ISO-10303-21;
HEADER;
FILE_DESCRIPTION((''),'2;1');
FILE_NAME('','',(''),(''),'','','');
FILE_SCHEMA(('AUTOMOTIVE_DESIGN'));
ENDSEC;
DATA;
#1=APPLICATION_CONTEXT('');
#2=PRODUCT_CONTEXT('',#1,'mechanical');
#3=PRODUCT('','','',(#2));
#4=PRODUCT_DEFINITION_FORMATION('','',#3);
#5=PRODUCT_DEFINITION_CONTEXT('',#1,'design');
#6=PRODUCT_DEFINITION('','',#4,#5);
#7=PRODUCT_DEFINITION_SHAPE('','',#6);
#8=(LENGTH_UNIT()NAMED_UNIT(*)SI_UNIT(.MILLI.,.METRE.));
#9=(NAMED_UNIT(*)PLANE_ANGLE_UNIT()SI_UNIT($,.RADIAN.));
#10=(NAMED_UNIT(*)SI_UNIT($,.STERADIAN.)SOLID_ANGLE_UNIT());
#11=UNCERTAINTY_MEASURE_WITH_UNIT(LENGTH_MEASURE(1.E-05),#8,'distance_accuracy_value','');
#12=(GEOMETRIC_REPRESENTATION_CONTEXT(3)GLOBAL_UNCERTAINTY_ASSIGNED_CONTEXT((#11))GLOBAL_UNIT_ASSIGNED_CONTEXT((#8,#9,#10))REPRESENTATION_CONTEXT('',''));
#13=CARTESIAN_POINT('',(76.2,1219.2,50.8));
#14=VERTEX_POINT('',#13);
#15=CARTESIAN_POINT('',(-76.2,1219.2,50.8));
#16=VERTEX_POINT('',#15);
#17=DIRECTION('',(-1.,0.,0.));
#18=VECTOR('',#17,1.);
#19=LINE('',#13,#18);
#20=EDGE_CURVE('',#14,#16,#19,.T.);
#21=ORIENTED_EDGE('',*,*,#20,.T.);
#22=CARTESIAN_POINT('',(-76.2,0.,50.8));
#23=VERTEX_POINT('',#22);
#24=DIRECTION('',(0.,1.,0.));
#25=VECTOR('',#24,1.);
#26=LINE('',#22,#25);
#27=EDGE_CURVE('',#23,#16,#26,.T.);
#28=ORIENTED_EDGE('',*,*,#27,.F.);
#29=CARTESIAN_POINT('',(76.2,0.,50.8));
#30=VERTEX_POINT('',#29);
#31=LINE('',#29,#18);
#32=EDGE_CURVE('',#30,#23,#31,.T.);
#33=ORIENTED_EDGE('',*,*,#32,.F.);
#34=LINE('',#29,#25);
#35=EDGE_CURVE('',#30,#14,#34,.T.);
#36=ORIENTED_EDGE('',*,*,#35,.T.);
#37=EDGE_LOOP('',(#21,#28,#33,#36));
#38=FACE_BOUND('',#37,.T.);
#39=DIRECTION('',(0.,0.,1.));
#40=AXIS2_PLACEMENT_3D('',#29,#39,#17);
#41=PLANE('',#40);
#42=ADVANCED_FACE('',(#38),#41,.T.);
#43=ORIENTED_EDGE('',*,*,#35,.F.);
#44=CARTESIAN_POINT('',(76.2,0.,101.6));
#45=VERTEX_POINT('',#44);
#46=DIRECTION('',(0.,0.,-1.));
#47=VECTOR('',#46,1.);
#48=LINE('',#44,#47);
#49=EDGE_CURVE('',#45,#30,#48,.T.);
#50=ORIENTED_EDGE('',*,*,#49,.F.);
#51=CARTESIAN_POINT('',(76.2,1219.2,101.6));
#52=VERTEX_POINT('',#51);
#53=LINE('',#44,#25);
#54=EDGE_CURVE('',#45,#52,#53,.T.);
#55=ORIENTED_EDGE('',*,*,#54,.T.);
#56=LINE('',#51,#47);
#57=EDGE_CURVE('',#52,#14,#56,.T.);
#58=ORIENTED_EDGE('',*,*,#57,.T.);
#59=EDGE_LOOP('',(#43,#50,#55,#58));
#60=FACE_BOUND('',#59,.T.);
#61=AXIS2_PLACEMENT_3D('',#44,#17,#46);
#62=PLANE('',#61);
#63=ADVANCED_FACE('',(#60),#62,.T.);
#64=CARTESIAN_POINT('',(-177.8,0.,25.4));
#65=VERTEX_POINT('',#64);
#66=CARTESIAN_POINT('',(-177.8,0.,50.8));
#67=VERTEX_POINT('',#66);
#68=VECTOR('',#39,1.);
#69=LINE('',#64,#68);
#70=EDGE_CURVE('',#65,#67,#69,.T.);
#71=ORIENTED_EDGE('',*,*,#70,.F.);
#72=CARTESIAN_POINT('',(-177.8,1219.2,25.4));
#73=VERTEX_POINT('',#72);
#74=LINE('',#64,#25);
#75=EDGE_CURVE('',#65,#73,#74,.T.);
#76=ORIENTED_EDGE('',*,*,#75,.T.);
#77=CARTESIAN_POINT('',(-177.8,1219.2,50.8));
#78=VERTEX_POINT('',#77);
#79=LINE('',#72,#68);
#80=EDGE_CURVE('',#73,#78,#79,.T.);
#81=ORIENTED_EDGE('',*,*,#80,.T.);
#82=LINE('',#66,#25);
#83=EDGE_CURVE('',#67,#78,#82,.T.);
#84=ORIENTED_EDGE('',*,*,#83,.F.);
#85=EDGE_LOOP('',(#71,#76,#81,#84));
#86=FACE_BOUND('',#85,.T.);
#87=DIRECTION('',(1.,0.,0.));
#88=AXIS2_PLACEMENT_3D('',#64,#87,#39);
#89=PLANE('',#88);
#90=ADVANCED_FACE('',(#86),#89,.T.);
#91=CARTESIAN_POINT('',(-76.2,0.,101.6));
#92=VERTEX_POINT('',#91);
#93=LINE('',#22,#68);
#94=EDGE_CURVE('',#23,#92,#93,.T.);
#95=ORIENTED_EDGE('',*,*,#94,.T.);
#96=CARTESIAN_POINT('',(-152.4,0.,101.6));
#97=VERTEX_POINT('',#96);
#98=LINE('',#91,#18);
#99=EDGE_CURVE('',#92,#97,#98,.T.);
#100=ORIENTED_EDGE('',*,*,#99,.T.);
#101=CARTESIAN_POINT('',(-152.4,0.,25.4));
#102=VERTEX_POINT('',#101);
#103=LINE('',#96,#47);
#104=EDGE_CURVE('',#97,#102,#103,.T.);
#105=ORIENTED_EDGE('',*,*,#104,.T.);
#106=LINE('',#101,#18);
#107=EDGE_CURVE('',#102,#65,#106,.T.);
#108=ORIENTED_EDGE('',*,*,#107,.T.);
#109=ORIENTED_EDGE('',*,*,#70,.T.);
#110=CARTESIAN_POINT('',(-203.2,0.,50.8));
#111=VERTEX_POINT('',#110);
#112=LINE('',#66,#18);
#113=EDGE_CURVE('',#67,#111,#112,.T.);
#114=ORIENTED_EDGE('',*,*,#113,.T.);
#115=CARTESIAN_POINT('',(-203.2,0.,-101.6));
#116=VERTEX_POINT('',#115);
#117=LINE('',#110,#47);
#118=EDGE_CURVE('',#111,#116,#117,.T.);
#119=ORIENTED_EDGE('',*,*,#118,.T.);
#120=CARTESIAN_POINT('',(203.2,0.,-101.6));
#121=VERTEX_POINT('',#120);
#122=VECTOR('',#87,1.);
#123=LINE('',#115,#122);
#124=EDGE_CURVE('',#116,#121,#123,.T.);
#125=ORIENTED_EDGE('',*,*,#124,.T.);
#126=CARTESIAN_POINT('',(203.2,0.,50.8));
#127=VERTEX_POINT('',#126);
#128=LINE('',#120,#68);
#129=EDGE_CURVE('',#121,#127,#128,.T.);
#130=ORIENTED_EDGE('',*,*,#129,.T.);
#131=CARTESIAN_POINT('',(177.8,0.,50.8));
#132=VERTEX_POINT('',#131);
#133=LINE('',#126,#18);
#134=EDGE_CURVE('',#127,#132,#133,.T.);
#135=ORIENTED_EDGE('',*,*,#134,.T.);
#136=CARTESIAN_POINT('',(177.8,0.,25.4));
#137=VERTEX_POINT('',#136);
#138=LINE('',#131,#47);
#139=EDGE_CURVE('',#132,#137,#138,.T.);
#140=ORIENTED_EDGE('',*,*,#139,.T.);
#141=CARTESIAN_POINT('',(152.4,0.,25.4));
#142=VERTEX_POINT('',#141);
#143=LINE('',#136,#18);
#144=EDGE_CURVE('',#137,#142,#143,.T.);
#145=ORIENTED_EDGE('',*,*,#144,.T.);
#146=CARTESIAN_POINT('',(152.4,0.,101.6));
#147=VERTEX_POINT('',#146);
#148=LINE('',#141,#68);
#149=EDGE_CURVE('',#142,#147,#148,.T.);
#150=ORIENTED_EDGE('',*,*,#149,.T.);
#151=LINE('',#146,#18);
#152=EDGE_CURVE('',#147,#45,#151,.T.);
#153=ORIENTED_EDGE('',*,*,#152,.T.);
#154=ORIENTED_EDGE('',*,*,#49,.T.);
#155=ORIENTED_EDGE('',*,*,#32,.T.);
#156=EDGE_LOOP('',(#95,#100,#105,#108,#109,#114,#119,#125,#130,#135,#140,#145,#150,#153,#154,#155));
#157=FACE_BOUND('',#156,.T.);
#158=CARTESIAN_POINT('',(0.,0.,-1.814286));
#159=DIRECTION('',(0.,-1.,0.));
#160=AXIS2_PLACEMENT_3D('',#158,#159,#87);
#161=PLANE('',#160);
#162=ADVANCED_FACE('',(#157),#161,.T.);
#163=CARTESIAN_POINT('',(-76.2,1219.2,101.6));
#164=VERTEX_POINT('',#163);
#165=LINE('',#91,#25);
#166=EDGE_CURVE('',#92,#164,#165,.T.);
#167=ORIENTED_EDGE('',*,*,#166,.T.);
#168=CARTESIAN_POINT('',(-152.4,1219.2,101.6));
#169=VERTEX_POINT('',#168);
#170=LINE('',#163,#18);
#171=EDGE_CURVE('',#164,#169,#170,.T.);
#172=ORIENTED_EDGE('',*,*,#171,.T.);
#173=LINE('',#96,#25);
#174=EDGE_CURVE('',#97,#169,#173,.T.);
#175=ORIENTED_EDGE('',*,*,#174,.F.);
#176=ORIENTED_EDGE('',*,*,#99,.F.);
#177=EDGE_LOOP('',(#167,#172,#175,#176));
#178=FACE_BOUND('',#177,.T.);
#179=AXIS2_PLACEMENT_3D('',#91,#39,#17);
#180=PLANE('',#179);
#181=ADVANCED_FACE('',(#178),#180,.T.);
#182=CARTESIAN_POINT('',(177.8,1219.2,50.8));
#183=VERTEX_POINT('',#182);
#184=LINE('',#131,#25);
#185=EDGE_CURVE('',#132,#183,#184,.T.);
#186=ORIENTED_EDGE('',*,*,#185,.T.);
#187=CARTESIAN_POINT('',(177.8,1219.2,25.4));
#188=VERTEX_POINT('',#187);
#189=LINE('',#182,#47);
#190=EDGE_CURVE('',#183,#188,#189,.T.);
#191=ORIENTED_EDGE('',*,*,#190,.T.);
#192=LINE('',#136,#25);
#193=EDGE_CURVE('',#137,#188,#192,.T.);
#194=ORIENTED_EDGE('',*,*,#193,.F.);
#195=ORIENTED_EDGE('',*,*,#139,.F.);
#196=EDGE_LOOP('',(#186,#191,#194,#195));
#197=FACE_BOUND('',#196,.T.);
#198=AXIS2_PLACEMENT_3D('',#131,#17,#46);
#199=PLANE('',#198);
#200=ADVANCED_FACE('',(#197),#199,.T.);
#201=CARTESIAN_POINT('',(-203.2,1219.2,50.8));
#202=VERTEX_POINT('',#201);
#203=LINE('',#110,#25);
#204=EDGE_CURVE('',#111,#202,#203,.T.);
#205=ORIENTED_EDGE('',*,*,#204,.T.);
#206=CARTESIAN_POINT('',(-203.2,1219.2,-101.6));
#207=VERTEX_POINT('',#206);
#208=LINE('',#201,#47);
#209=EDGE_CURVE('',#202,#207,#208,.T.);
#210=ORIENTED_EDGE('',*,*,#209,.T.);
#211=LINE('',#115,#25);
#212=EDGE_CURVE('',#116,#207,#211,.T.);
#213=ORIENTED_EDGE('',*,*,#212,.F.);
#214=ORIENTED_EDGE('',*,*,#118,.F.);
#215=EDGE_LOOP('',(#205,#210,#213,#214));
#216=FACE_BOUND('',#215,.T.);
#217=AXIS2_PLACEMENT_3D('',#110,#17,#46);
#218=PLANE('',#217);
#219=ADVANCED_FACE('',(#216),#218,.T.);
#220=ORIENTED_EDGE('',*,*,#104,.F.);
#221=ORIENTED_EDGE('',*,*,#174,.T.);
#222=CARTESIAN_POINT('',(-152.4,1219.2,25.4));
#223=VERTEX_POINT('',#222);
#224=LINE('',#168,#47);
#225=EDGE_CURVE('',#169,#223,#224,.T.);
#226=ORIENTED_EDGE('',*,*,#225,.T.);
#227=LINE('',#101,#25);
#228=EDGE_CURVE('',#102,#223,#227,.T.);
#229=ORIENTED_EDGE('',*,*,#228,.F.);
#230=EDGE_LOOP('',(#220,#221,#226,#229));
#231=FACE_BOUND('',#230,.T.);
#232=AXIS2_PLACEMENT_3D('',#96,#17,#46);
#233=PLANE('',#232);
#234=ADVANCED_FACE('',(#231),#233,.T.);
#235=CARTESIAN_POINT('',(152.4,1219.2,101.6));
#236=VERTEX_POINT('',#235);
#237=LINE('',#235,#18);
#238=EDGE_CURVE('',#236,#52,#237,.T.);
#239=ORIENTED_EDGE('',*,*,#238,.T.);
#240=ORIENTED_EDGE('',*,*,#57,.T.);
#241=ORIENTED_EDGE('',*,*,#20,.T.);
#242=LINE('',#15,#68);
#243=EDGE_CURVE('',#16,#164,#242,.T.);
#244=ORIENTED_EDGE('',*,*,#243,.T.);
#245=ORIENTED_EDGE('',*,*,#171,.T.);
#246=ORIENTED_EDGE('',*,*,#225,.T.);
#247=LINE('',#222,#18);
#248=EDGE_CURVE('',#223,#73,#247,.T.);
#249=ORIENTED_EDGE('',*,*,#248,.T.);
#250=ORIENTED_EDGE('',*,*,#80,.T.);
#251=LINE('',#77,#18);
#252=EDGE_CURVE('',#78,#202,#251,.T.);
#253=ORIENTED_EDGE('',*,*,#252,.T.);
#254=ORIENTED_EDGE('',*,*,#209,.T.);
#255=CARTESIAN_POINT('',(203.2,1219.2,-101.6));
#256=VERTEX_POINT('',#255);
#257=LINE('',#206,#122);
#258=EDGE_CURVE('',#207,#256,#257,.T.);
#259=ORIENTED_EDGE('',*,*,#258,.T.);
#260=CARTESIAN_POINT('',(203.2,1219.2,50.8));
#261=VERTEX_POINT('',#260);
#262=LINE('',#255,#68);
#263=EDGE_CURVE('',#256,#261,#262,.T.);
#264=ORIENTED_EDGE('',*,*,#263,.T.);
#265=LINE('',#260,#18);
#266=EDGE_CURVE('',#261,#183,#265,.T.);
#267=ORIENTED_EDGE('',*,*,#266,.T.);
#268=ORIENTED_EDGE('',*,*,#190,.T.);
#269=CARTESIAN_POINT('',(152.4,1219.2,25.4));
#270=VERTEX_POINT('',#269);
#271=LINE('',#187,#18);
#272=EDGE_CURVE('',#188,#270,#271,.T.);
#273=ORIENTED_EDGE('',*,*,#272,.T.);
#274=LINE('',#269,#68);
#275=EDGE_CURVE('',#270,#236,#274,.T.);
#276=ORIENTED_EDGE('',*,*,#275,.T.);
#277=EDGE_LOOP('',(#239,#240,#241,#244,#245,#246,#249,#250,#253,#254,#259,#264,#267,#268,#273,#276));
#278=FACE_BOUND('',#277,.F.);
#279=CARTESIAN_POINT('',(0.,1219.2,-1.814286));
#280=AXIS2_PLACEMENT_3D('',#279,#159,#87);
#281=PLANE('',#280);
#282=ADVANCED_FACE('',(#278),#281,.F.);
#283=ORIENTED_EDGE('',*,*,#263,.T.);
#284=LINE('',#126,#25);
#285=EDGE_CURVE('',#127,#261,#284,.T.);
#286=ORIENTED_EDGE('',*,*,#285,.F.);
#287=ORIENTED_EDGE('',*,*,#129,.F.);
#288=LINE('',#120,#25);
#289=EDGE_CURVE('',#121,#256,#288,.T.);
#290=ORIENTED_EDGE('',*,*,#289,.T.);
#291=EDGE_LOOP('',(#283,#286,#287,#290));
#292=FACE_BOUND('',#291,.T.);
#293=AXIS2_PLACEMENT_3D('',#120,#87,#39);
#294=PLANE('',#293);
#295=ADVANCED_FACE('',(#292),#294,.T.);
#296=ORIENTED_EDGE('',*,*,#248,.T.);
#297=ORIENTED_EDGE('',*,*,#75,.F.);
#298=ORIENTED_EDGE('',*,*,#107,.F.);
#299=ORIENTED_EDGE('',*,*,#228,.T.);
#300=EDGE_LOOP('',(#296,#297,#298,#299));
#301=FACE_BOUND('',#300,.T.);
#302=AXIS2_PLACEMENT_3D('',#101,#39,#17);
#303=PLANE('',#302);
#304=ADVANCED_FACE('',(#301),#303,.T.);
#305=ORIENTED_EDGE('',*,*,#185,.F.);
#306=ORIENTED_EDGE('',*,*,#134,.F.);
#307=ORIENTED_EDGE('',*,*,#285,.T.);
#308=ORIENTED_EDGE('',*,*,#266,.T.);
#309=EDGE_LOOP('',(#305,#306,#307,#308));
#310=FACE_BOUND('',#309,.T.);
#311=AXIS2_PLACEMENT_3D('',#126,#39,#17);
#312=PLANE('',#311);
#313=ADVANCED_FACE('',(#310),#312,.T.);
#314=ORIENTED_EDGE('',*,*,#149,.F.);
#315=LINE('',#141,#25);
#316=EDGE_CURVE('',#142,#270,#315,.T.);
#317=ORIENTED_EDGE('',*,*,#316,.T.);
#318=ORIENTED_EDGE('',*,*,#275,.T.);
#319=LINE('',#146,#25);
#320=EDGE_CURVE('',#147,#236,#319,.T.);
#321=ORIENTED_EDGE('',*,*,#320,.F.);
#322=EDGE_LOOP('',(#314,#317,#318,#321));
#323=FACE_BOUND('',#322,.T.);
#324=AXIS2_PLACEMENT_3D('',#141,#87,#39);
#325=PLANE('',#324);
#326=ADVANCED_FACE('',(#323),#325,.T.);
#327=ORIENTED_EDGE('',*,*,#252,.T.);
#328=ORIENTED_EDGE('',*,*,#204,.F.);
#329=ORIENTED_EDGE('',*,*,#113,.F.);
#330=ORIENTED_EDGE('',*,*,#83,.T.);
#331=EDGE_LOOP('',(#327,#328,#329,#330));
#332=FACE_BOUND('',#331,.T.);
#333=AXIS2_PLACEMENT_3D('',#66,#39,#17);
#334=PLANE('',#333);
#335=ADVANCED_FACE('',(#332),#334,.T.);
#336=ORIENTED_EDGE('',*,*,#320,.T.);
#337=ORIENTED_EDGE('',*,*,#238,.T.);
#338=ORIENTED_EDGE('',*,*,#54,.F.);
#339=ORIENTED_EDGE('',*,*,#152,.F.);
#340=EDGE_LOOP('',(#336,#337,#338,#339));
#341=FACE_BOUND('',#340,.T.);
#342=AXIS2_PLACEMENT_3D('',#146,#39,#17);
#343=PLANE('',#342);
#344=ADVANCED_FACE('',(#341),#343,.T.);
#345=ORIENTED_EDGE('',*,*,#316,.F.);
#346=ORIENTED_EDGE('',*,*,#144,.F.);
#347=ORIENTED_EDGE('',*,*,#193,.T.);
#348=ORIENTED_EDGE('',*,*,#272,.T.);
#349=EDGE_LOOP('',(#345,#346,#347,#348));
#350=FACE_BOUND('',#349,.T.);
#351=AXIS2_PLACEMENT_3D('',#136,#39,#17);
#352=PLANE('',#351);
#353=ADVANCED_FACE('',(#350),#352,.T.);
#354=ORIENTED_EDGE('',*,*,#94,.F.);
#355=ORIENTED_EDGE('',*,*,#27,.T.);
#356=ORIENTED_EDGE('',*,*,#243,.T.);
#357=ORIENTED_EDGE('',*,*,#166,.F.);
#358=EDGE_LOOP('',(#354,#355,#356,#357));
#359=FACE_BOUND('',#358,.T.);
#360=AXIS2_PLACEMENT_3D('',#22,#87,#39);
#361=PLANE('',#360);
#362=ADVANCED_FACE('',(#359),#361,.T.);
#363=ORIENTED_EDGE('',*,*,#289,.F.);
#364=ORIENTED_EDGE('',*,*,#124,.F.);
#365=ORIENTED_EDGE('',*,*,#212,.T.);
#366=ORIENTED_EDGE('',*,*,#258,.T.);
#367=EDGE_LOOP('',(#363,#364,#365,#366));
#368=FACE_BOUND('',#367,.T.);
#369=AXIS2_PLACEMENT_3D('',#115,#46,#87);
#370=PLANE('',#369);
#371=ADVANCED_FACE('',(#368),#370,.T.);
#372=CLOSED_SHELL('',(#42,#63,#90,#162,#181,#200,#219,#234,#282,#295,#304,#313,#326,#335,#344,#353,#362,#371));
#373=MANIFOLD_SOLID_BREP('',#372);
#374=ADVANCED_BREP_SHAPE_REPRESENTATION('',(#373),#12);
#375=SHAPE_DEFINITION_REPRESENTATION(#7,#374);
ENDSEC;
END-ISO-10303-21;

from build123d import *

# Parameters (mm, degrees)
F1_DEPTH = 1219.2


with BuildPart() as f1:
    # F0 (on Front) → F1 (new body)
    with BuildSketch(Plane.XZ):
        Polygon((-76.2, 50.8), (-76.2, 101.6), (-152.4, 101.6), (-152.4, 25.4), (-177.8, 25.4), (-177.8, 50.8), (-203.2, 50.8), (-203.2, -101.6), (0, -101.6), (203.2, -101.6), (203.2, 50.8), (177.8, 50.8), (177.8, 25.4), (152.4, 25.4), (152.4, 101.6), (76.2, 101.6), (76.2, 50.8), align=None)
    extrude(amount=-F1_DEPTH)


solid = f1.part
